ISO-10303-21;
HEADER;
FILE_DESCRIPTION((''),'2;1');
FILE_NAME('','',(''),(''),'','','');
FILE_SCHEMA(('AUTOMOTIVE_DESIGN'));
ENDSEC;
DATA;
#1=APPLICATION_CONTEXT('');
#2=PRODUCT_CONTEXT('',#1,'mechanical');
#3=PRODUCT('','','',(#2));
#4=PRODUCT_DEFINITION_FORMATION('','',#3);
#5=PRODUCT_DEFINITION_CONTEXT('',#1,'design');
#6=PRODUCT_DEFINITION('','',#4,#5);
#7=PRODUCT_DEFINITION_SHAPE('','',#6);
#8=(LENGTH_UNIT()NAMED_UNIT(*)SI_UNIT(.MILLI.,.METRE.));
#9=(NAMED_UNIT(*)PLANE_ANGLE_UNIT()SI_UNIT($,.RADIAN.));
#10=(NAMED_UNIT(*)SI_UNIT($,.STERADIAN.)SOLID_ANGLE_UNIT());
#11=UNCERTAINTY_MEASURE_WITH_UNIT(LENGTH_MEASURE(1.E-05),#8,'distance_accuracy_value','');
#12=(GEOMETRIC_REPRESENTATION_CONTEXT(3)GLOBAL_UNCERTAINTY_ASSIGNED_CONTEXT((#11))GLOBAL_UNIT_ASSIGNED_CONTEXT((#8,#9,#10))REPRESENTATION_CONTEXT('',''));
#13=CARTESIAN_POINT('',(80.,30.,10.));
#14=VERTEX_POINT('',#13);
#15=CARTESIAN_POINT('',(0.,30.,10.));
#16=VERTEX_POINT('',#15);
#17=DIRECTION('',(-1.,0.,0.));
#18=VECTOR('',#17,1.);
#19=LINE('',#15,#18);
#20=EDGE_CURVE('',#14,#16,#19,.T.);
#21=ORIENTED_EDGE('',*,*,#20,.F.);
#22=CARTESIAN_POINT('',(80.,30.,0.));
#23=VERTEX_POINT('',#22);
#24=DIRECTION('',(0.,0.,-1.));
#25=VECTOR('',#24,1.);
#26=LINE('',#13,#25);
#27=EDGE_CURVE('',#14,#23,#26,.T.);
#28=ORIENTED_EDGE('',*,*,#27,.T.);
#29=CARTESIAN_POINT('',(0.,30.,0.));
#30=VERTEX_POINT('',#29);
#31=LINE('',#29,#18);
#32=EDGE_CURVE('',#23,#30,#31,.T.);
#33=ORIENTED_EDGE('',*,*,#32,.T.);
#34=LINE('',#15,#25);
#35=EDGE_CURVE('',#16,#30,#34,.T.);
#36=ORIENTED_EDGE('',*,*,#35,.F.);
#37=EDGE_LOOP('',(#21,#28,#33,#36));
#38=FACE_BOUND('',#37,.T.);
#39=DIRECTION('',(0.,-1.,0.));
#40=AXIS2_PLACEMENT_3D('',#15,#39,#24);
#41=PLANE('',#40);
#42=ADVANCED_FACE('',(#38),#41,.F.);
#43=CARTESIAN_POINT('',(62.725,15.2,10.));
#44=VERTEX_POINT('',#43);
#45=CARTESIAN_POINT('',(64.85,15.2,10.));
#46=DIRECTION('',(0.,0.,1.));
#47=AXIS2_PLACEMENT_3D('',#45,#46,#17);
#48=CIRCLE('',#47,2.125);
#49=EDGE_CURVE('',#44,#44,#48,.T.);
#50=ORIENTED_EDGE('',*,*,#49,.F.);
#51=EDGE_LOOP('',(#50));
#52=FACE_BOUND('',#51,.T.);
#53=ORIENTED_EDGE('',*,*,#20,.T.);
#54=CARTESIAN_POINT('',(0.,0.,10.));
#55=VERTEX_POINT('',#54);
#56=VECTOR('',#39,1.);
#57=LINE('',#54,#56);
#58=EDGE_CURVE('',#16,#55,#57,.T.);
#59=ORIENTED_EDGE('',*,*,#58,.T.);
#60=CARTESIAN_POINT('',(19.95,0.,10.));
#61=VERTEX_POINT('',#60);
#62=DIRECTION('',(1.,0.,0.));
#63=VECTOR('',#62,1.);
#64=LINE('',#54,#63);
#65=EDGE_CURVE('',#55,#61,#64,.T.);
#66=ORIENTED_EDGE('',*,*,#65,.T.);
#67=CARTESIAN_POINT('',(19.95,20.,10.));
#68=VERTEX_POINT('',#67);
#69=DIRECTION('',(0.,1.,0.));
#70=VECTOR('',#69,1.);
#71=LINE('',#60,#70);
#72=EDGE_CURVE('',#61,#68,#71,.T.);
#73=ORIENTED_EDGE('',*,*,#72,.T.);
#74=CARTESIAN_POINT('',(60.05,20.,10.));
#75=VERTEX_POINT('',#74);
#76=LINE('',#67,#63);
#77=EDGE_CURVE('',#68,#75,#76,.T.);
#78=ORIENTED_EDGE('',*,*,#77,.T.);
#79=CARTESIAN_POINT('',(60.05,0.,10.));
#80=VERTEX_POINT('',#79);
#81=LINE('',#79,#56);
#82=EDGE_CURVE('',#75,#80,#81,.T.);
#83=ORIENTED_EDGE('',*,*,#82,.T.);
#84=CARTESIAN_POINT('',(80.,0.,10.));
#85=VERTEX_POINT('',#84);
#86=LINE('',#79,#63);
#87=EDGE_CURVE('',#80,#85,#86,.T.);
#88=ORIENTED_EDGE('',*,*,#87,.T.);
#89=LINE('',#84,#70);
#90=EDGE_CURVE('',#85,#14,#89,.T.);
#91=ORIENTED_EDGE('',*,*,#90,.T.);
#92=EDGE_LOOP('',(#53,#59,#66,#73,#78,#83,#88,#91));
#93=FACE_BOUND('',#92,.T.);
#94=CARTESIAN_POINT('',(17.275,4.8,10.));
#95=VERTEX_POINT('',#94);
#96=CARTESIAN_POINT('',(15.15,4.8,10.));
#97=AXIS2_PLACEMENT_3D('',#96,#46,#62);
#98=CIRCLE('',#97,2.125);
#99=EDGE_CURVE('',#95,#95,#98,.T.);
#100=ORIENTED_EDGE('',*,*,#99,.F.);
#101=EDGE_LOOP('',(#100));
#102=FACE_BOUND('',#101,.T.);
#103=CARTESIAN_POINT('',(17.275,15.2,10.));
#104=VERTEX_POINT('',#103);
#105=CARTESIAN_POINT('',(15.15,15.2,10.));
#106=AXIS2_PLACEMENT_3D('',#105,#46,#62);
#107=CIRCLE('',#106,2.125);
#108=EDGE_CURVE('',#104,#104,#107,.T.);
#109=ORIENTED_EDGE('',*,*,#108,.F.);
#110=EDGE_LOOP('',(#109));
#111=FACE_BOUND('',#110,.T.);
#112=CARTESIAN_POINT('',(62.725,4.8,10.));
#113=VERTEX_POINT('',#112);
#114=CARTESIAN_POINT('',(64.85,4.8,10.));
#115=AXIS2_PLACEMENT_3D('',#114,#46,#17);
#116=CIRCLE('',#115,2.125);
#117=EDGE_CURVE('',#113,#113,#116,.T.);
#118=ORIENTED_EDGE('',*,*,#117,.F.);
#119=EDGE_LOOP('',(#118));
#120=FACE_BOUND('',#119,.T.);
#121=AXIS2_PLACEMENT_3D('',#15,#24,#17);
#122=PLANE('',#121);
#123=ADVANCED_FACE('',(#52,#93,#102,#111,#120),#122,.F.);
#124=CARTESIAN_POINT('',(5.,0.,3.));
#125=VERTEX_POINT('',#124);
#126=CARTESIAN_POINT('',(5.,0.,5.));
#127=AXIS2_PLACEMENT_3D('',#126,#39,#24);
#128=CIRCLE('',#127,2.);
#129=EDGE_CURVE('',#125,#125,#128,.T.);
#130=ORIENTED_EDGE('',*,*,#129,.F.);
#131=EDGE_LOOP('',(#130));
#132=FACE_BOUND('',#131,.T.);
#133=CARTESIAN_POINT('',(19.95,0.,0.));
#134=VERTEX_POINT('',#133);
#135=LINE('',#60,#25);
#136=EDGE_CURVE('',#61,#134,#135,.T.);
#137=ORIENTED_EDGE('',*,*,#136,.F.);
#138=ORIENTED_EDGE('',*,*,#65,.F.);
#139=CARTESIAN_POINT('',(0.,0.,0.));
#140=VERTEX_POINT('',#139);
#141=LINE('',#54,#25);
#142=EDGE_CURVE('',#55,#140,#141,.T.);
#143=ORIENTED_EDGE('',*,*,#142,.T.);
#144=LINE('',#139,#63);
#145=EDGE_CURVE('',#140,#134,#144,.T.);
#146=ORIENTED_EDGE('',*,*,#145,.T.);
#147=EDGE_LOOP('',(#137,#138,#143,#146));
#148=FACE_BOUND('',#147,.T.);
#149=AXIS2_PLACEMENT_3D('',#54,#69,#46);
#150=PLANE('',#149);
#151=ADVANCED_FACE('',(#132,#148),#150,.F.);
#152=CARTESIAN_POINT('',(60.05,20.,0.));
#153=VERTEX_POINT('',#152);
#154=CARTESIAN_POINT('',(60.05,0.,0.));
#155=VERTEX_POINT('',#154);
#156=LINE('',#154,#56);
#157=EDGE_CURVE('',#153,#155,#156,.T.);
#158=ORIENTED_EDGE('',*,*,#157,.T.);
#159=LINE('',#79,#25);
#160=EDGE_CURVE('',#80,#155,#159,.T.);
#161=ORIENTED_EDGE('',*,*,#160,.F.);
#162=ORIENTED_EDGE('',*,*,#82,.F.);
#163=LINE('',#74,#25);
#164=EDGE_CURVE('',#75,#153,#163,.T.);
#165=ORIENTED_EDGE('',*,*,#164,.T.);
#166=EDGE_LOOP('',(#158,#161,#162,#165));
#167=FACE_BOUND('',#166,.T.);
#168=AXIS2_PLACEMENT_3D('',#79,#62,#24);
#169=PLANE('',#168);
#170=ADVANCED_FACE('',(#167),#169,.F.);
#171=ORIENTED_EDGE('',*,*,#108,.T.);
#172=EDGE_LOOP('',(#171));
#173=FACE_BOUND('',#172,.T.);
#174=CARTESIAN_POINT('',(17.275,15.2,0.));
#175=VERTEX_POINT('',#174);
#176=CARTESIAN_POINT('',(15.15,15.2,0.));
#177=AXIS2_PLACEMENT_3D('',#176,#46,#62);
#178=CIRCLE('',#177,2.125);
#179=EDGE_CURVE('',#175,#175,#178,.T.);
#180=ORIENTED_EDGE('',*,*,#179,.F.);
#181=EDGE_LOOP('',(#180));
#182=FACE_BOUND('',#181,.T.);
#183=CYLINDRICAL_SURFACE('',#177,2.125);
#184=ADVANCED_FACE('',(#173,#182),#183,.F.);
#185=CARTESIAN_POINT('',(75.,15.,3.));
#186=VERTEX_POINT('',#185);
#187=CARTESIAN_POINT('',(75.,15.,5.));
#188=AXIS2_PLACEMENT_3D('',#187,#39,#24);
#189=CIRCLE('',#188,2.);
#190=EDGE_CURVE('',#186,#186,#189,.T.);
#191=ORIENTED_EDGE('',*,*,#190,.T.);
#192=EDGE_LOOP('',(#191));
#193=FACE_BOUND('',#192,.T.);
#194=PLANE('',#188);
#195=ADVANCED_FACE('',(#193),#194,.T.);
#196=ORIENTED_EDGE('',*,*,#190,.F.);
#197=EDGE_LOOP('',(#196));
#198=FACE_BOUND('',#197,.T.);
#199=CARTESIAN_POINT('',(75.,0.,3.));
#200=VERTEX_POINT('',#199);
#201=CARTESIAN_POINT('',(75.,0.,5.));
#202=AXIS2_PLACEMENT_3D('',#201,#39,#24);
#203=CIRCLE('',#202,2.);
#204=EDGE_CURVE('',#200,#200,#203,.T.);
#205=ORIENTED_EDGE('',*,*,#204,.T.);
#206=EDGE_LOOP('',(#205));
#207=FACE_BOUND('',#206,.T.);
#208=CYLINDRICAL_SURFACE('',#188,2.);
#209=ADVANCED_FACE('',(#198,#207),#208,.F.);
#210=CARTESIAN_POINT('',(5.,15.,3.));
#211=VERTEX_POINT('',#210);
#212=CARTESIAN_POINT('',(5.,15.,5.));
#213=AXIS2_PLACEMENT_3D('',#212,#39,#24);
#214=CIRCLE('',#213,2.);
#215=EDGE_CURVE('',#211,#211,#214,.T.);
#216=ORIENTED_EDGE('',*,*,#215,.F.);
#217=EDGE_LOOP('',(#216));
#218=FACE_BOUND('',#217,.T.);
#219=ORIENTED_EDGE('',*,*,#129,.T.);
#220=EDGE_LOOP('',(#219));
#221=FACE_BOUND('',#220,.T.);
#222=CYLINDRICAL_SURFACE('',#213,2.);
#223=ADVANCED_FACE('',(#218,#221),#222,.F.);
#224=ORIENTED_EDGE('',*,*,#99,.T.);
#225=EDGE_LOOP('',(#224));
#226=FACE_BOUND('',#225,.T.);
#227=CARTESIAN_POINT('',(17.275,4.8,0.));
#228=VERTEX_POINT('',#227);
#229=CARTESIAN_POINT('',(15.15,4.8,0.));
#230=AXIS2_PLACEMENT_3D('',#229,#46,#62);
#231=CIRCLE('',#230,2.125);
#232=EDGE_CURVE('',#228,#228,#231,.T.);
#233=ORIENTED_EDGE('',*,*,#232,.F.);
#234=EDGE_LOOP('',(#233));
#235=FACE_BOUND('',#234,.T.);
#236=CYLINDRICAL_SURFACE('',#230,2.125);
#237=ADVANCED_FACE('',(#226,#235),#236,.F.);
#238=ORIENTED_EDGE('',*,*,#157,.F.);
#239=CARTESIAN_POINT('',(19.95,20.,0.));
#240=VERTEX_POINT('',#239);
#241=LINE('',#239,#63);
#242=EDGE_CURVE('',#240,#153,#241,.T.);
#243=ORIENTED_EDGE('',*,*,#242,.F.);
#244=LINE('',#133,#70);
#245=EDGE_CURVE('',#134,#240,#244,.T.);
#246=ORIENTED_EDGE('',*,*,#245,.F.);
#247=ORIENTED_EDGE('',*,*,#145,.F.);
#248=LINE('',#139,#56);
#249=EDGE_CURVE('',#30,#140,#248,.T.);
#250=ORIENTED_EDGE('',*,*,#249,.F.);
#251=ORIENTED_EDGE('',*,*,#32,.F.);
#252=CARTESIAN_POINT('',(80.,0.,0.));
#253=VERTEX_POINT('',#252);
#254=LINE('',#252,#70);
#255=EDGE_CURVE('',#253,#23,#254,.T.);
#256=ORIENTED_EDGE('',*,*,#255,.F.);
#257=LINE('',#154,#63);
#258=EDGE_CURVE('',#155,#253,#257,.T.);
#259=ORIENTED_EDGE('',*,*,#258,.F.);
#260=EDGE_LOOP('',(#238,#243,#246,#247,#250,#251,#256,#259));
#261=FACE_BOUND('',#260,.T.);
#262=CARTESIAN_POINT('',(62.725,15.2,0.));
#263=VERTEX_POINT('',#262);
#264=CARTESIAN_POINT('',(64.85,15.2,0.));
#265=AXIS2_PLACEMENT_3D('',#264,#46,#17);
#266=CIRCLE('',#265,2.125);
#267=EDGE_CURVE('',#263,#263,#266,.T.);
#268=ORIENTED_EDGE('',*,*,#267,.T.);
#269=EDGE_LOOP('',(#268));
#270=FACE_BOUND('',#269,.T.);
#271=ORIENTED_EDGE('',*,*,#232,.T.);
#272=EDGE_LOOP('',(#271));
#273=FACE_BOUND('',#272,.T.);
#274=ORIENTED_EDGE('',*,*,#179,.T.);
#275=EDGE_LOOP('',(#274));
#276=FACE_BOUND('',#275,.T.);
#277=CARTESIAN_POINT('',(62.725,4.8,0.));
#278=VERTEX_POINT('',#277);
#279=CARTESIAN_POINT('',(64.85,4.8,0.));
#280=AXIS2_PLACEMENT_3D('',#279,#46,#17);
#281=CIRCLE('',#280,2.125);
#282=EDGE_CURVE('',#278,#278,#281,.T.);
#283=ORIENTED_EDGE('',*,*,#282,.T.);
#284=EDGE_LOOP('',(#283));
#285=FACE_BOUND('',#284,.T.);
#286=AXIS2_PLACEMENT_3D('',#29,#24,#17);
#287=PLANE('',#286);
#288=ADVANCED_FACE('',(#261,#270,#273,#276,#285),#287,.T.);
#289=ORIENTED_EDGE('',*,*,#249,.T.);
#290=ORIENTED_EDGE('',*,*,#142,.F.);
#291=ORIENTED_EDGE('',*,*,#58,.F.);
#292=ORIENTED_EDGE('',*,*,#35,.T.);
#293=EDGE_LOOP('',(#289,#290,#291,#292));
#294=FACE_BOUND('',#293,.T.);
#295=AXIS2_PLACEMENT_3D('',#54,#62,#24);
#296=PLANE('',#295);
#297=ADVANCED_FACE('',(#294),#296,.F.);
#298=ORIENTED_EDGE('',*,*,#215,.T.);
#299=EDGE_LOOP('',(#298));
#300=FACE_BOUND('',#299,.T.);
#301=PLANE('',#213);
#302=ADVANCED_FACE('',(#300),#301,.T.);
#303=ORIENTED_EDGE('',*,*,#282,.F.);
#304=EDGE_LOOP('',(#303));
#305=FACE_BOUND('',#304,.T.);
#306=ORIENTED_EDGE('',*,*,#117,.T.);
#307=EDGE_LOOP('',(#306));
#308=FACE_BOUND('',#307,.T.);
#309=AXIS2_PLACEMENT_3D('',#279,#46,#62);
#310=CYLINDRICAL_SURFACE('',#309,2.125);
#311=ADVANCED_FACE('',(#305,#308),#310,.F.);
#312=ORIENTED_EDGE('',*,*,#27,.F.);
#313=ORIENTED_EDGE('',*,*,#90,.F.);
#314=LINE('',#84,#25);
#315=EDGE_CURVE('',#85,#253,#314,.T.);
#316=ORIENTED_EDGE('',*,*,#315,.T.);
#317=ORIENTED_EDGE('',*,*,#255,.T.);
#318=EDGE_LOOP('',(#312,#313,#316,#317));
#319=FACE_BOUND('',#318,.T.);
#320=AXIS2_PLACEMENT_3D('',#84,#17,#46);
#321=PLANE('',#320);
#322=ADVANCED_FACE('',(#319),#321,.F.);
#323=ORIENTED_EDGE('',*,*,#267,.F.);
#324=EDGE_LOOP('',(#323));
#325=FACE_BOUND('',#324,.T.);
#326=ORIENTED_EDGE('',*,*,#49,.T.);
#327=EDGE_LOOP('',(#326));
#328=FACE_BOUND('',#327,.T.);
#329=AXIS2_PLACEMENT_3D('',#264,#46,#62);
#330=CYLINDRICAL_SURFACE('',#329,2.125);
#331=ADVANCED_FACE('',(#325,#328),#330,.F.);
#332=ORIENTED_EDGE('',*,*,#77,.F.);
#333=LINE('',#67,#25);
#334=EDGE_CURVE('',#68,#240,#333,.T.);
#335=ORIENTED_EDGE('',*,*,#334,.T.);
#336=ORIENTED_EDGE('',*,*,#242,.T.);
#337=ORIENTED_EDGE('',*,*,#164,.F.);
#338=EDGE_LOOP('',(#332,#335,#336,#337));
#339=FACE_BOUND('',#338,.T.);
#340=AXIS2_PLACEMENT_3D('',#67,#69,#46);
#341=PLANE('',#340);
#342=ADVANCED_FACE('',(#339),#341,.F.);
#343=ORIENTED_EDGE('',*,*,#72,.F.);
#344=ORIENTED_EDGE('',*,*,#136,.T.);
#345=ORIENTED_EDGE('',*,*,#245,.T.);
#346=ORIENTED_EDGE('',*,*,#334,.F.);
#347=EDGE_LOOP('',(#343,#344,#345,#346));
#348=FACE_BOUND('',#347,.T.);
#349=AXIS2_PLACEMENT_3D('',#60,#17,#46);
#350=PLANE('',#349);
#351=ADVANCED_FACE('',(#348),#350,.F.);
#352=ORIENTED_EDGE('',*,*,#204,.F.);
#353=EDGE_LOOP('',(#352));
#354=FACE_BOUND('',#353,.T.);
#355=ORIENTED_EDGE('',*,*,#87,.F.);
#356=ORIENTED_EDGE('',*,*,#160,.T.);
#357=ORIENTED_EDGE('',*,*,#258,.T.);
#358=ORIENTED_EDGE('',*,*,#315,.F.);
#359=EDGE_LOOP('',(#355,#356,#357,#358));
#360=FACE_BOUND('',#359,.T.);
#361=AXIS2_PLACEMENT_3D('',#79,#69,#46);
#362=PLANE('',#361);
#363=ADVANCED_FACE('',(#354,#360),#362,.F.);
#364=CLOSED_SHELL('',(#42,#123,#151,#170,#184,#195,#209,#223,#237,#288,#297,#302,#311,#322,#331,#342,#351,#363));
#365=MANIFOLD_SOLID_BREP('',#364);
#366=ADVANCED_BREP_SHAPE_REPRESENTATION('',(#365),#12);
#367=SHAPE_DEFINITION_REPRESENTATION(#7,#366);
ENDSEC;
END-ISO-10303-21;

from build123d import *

# Parameters (mm, degrees)
BOSS_EXTRUDE1_DEPTH = 10
SKETCH2_R           = 2
CUT_EXTRUDE1_DEPTH  = 15
SKETCH3_R           = 2.125
CUT_EXTRUDE2_DEPTH  = 87.02325267


with BuildPart() as part:
    # Sketch1 → Boss-Extrude1 (new body)
    with BuildSketch(Plane.XY):
        Polygon((0, 0), (19.95, 0), (19.95, 20), (60.05, 20), (60.05, 0), (80, 0), (80, 30), (0, 30), align=None)
    extrude(amount=BOSS_EXTRUDE1_DEPTH)

    # Sketch2 → Cut-Extrude1 (cut)
    with BuildSketch(Plane.XZ):
        with Locations(Location((5, 5, 0), (0, 0, 270))):
            Circle(SKETCH2_R)
        with Locations(Location((75, 5, 0), (0, 0, 270))):
            Circle(SKETCH2_R)
    extrude(amount=-CUT_EXTRUDE1_DEPTH, mode=Mode.SUBTRACT)

    # Sketch3 → Cut-Extrude2 (cut, through all)
    with BuildSketch(Plane.XY.offset(10)):
        with Locations((15.15, 4.8)):
            Circle(SKETCH3_R)
        with Locations((15.15, 15.2)):
            Circle(SKETCH3_R)
        with Locations(Location((64.85, 15.2, 0), (0, 0, 180))):
            Circle(SKETCH3_R)
        with Locations(Location((64.85, 4.8, 0), (0, 0, 180))):
            Circle(SKETCH3_R)
    extrude(amount=-CUT_EXTRUDE2_DEPTH, mode=Mode.SUBTRACT)


solid = part.part
